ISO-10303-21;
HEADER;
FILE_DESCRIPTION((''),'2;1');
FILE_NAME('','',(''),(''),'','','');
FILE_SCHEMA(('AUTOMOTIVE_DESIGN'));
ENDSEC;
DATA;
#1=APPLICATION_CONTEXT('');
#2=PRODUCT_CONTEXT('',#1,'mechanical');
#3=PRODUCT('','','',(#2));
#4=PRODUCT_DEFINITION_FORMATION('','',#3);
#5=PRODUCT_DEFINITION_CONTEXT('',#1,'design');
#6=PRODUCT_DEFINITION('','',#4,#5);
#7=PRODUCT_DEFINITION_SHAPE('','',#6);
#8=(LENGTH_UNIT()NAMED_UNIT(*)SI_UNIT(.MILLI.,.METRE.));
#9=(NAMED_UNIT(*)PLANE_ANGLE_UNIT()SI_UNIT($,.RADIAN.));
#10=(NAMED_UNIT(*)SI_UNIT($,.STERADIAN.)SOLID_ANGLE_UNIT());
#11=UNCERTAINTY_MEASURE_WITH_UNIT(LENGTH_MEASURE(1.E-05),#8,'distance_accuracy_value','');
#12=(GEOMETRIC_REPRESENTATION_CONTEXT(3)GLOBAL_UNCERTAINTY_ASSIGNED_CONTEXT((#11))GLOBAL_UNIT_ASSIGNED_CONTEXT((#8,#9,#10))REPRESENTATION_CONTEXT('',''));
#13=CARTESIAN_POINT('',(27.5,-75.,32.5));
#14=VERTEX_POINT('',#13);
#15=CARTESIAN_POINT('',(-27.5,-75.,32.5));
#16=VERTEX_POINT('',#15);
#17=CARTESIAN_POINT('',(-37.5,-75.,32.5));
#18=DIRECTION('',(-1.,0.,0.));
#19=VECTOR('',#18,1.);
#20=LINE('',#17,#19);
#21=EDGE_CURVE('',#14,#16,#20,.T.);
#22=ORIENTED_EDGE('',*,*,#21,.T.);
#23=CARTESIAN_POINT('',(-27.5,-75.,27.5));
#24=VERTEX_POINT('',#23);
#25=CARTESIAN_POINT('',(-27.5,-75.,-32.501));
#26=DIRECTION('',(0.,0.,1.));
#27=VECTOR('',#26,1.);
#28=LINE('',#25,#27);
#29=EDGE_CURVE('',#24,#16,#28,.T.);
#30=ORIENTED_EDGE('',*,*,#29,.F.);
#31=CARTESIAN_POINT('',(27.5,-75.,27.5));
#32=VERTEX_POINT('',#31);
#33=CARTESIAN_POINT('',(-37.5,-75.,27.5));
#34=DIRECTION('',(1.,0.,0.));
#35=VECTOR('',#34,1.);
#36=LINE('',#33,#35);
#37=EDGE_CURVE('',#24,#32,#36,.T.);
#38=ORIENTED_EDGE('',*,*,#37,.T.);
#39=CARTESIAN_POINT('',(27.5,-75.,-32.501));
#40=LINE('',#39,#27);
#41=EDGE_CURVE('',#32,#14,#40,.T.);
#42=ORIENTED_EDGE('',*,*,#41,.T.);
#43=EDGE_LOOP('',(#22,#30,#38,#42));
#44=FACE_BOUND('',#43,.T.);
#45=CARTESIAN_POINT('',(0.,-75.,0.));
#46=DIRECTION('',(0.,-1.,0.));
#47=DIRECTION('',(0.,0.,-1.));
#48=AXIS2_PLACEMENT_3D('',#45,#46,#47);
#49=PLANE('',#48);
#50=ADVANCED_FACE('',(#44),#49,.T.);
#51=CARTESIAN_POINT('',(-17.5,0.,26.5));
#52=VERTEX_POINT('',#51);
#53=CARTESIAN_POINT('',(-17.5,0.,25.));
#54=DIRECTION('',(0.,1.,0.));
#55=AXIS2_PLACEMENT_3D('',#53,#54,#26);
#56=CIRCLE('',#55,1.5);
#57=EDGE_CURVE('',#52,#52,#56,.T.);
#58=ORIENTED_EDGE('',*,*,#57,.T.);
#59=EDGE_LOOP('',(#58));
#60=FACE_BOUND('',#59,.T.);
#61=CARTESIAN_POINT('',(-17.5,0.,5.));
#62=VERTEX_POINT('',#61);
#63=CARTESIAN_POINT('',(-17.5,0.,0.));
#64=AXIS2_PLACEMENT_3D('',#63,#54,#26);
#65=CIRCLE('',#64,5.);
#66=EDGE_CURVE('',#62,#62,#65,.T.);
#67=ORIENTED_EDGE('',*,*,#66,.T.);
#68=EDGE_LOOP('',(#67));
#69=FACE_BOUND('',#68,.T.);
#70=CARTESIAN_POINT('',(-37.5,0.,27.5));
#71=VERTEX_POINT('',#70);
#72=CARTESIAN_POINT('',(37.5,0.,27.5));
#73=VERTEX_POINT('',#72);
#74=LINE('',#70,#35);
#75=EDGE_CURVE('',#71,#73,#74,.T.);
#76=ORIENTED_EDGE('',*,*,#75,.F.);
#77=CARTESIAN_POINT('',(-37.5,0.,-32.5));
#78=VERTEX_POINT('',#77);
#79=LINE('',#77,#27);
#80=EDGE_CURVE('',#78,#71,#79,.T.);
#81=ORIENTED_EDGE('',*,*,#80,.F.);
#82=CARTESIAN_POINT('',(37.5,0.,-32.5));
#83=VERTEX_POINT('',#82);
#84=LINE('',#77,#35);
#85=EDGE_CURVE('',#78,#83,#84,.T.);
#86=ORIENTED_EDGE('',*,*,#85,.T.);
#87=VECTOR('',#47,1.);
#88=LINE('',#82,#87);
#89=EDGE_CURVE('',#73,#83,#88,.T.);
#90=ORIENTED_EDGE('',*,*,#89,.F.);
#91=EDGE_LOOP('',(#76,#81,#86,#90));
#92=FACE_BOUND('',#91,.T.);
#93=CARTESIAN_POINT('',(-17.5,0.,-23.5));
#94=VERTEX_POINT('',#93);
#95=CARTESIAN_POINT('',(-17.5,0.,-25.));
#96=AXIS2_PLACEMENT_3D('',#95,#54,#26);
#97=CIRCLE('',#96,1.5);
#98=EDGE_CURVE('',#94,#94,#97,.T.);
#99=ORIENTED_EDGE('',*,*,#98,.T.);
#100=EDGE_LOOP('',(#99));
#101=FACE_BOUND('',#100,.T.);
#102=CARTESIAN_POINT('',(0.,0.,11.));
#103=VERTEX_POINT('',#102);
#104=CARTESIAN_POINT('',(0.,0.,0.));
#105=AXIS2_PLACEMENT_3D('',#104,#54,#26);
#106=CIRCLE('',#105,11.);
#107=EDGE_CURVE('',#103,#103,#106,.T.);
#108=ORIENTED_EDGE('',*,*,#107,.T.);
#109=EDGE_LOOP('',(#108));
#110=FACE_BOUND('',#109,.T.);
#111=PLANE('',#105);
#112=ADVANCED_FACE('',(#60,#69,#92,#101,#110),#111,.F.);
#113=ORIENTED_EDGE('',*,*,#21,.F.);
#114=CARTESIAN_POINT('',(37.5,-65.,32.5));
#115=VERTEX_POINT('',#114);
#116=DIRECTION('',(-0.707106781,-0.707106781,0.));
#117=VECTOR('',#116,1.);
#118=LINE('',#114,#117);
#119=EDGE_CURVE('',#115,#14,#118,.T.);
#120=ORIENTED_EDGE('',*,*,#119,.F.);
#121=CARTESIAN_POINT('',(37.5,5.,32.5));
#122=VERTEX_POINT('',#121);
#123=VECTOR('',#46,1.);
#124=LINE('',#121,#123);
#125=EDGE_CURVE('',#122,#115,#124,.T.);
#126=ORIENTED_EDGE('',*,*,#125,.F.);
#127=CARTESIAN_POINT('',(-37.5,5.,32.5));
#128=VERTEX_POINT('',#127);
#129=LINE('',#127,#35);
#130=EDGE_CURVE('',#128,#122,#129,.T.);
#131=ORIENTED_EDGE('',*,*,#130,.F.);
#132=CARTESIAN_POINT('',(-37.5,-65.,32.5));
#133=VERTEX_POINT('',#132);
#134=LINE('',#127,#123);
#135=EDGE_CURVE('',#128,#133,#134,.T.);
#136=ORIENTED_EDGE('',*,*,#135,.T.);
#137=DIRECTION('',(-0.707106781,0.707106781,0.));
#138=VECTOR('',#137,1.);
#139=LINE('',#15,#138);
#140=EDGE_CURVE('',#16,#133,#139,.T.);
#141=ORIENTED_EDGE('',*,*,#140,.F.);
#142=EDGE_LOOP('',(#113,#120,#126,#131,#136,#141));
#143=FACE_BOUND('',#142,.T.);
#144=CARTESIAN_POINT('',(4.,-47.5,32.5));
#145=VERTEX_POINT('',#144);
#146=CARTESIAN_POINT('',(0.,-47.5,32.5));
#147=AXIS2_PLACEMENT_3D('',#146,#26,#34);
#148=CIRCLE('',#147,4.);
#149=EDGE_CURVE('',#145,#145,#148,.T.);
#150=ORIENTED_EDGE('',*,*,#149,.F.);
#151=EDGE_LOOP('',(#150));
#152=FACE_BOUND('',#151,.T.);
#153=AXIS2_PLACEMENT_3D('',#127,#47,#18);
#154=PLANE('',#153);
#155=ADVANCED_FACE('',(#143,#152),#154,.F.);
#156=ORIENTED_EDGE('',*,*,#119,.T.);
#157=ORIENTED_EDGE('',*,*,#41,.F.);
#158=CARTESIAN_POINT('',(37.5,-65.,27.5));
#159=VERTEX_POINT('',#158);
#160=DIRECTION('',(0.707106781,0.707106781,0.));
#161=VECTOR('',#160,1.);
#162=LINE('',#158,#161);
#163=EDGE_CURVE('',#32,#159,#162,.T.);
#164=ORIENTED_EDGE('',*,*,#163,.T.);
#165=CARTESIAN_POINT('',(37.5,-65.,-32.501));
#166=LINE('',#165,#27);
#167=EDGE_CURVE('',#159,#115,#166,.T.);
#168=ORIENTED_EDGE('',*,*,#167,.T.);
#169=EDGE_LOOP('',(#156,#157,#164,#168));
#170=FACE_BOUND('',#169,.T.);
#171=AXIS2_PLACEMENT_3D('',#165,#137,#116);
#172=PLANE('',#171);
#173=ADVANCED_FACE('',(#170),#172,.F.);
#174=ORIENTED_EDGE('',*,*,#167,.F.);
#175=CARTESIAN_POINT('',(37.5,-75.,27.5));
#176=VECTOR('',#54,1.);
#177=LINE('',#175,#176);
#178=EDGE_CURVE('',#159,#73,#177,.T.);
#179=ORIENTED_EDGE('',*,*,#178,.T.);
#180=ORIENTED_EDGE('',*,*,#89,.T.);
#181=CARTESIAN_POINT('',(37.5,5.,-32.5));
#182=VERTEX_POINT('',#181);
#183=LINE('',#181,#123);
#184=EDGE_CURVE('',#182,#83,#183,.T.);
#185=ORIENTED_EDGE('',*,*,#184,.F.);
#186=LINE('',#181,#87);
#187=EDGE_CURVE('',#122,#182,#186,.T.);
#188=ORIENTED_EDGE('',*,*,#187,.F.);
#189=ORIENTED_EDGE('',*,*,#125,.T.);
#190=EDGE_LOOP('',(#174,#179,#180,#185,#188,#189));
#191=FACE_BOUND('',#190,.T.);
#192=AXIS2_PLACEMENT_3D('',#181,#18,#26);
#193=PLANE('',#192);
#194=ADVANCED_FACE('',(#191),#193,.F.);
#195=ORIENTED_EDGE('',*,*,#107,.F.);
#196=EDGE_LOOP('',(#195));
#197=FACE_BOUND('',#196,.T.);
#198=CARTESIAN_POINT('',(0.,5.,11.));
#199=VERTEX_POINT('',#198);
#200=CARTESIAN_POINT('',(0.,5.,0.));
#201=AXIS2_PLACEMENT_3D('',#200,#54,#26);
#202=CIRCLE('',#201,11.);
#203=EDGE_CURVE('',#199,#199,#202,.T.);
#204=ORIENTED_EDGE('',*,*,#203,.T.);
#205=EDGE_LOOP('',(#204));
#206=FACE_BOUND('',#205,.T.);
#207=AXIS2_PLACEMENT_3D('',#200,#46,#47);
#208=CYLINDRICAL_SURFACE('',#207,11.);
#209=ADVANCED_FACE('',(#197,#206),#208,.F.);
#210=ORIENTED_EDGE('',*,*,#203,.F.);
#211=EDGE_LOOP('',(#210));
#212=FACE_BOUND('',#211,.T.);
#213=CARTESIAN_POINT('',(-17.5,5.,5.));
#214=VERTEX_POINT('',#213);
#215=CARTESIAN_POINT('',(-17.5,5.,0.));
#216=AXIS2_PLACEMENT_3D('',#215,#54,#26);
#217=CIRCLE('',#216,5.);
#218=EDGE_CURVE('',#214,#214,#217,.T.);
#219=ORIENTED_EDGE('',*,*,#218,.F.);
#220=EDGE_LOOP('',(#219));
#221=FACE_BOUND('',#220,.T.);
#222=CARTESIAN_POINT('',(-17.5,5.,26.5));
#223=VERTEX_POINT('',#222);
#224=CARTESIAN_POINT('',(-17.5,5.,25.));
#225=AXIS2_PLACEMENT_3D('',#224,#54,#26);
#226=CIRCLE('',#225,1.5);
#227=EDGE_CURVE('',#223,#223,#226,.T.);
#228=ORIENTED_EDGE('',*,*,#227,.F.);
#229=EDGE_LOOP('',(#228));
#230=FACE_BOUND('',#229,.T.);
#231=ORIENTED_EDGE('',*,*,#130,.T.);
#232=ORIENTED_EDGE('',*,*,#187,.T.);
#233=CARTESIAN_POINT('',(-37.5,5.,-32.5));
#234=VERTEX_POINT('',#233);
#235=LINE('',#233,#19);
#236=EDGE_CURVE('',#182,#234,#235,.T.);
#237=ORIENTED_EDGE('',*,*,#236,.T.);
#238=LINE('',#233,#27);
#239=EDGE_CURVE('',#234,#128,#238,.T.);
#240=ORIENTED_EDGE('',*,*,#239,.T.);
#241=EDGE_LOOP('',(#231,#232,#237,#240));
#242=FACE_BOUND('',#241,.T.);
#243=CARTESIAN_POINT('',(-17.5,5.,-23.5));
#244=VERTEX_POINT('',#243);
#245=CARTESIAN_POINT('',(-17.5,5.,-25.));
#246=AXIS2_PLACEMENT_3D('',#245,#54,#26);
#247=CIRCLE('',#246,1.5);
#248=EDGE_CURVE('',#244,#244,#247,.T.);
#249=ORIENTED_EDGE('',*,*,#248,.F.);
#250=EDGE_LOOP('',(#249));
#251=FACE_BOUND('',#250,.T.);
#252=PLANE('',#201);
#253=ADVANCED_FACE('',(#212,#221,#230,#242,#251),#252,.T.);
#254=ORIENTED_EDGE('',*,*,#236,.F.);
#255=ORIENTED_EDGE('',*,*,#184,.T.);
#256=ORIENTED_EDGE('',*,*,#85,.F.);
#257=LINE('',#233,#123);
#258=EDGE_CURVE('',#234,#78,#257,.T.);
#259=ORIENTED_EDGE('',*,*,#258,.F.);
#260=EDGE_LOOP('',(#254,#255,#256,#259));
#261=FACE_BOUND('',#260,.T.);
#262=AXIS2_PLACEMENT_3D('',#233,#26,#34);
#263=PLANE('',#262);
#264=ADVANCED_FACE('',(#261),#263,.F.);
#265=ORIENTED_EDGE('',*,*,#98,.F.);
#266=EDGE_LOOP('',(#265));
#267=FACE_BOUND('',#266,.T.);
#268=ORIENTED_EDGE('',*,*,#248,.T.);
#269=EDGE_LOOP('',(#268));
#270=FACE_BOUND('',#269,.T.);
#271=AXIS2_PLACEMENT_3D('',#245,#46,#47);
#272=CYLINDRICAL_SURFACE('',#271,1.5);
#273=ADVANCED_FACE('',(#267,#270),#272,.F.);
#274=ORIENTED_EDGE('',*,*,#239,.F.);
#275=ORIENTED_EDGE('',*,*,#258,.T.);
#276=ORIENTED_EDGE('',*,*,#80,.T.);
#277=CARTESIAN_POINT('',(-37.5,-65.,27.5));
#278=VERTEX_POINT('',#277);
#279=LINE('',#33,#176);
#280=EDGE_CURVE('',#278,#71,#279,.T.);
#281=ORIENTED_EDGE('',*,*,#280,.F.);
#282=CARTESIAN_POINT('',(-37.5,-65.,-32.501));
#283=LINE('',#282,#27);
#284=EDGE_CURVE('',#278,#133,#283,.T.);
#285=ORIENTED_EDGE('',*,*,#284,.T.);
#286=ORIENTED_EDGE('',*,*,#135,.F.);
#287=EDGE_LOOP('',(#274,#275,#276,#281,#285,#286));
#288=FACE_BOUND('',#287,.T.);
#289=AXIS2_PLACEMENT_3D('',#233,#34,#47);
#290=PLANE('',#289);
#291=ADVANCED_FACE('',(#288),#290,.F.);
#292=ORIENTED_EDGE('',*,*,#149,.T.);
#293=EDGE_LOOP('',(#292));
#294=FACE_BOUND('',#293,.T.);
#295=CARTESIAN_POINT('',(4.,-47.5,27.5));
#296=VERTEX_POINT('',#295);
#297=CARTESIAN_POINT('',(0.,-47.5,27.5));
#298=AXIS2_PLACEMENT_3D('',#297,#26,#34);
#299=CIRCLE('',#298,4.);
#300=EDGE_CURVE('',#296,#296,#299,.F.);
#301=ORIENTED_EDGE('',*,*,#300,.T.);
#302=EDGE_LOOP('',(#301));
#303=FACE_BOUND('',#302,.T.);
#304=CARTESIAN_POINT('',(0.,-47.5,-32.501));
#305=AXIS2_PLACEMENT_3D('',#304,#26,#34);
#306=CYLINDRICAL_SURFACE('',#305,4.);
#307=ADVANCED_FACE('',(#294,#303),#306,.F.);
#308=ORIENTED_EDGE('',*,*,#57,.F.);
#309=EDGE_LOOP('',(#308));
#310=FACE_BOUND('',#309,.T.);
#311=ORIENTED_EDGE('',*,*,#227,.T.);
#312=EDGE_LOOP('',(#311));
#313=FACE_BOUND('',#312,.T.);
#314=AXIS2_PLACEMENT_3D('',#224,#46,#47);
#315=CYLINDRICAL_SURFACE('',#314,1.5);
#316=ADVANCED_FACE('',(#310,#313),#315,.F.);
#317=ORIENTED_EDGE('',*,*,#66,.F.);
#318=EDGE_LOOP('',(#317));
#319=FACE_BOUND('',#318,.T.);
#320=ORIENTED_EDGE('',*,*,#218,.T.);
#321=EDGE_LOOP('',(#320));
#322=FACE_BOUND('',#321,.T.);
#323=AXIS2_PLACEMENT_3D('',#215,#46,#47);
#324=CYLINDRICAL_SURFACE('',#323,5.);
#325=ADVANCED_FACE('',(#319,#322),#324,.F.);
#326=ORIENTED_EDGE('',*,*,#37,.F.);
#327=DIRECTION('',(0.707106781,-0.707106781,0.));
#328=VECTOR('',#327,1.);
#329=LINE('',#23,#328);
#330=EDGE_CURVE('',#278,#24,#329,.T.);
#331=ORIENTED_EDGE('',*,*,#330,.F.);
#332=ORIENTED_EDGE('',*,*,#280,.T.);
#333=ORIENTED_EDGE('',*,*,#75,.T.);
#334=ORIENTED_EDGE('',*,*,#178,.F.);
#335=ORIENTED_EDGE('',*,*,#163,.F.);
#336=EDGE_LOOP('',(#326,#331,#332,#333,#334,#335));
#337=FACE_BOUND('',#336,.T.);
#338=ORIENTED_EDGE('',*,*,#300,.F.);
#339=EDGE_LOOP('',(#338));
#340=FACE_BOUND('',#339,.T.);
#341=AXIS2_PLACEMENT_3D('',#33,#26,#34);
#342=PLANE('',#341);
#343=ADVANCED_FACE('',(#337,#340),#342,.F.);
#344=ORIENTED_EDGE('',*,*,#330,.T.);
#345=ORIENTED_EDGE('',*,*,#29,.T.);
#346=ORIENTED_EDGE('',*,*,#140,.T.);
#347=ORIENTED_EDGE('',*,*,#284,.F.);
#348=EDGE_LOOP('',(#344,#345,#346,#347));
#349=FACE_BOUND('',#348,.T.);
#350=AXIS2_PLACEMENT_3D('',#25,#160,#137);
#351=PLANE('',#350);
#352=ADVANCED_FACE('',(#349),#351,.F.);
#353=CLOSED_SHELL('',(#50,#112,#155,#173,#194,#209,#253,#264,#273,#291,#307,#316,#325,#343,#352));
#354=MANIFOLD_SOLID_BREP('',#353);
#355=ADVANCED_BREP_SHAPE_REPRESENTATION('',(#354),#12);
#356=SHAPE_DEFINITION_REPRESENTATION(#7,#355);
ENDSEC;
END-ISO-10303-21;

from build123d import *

# Parameters (mm, degrees)
SKETCH1_W           = 75
SKETCH1_H           = 65
SKETCH1_R           = 5
SKETCH1_R_2         = 11
SKETCH1_R_3         = 1.5
BOSS_EXTRUDE1_DEPTH = 5
SKETCH2_W           = 75
SKETCH2_H           = 5
BOSS_EXTRUDE2_DEPTH = 75
CUT_EXTRUDE1_REACH  = 67
CUT_EXTRUDE2_REACH  = 7
CUT_EXTRUDE3_REACH  = 67
SKETCH5_R           = 4
CUT_EXTRUDE4_REACH  = 67
SKETCH6_R           = 2.5
CUT_EXTRUDE5_REACH  = 7


with BuildPart() as part:
    # Sketch1 → Boss-Extrude1 (new body)
    with BuildSketch(Plane(origin=(0, 0, 0), x_dir=(1, 0, 0), z_dir=(0, 1, 0))):
        Rectangle(SKETCH1_W, SKETCH1_H)
        with Locations((-17.5, 0)):
            Circle(SKETCH1_R, mode=Mode.SUBTRACT)
        Circle(SKETCH1_R_2, mode=Mode.SUBTRACT)
        with Locations((-17.5, -25)):
            Circle(SKETCH1_R_3, mode=Mode.SUBTRACT)
        with Locations((-17.5, 25)):
            Circle(SKETCH1_R_3, mode=Mode.SUBTRACT)
    extrude(amount=BOSS_EXTRUDE1_DEPTH)

    # Sketch2 → Boss-Extrude2 (add)
    with BuildSketch(Plane.XZ):
        with Locations((0, 30)):
            Rectangle(SKETCH2_W, SKETCH2_H)
        with Locations((0, -30)):
            Rectangle(SKETCH2_W, SKETCH2_H)
    extrude(amount=BOSS_EXTRUDE2_DEPTH)

    # Sketch3 → Cut-Extrude1 (cut, up to next)
    with BuildSketch(Plane.XY.offset(32.5), mode=Mode.PRIVATE) as cut_extrude1_sk1:
        Polygon((-37.5, -75), (-27.5, -75), (-37.5, -65), align=None)
    cut_extrude1_tool1 = extrude(cut_extrude1_sk1.sketch, amount=-CUT_EXTRUDE1_REACH, mode=Mode.PRIVATE) & part.part
    add(cut_extrude1_tool1.solids().sort_by_distance((-34.166667, -71.666667, 32.5))[0], mode=Mode.SUBTRACT)
    # Sketch3 → Cut-Extrude1 (cut, up to next)
    with BuildSketch(Plane.XY.offset(32.5), mode=Mode.PRIVATE) as cut_extrude1_sk2:
        Polygon((37.5, -75), (37.5, -65), (27.5, -75), align=None)
    cut_extrude1_tool2 = extrude(cut_extrude1_sk2.sketch, amount=-CUT_EXTRUDE1_REACH, mode=Mode.PRIVATE) & part.part
    add(cut_extrude1_tool2.solids().sort_by_distance((34.166667, -71.666667, 32.5))[0], mode=Mode.SUBTRACT)

    # Sketch4 → Cut-Extrude2 (cut, up to next)
    with BuildSketch(Plane.XY.offset(-27.5), mode=Mode.PRIVATE) as cut_extrude2_sk1:
        Polygon((-37.5, -65), (-37.5, -75), (-27.5, -75), align=None)
    cut_extrude2_tool1 = extrude(cut_extrude2_sk1.sketch, amount=-CUT_EXTRUDE2_REACH, mode=Mode.PRIVATE) & part.part
    add(cut_extrude2_tool1.solids().sort_by_distance((-34.166667, -71.666667, -27.5))[0], mode=Mode.SUBTRACT)
    # Sketch4 → Cut-Extrude2 (cut, up to next)
    with BuildSketch(Plane.XY.offset(-27.5), mode=Mode.PRIVATE) as cut_extrude2_sk2:
        Polygon((37.5, -65), (27.5, -75), (37.5, -75), align=None)
    cut_extrude2_tool2 = extrude(cut_extrude2_sk2.sketch, amount=-CUT_EXTRUDE2_REACH, mode=Mode.PRIVATE) & part.part
    add(cut_extrude2_tool2.solids().sort_by_distance((34.166667, -71.666667, -27.5))[0], mode=Mode.SUBTRACT)

    # Sketch5 → Cut-Extrude3 (cut, up to next)
    with BuildSketch(Plane.XY.offset(32.5), mode=Mode.PRIVATE) as cut_extrude3_sk1:
        with Locations((0, -47.5)):
            Circle(SKETCH5_R)
    cut_extrude3_tool1 = extrude(cut_extrude3_sk1.sketch, amount=-CUT_EXTRUDE3_REACH, mode=Mode.PRIVATE) & part.part
    add(cut_extrude3_tool1.solids().sort_by_distance((0, -47.5, 32.5))[0], mode=Mode.SUBTRACT)

    # Sketch6 → Cut-Extrude4 (cut, up to next)
    with BuildSketch(Plane(origin=(0, 0, -32.5), x_dir=(-1, 0, 0), z_dir=(0, 0, -1)), mode=Mode.PRIVATE) as cut_extrude4_sk1:
        with Locations((0, -47.5)):
            Circle(SKETCH6_R)
    cut_extrude4_tool1 = extrude(cut_extrude4_sk1.sketch, amount=-CUT_EXTRUDE4_REACH, mode=Mode.PRIVATE) & part.part
    add(cut_extrude4_tool1.solids().sort_by_distance((0, -47.5, -32.5))[0], mode=Mode.SUBTRACT)

    # Sketch7 → Cut-Extrude5 (cut, up to next)
    with BuildSketch(Plane.XY.offset(-27.5), mode=Mode.PRIVATE) as cut_extrude5_sk1:
        Polygon((-37.5, 0), (37.5, 0), (37.5, -65), (27.5, -75), (-27.5, -75), (-37.5, -65), align=None)
    cut_extrude5_tool1 = extrude(cut_extrude5_sk1.sketch, amount=-CUT_EXTRUDE5_REACH, mode=Mode.PRIVATE) & part.part
    add(cut_extrude5_tool1.solids().sort_by_distance((0, -36.881599, -27.5))[0], mode=Mode.SUBTRACT)


solid = part.part
